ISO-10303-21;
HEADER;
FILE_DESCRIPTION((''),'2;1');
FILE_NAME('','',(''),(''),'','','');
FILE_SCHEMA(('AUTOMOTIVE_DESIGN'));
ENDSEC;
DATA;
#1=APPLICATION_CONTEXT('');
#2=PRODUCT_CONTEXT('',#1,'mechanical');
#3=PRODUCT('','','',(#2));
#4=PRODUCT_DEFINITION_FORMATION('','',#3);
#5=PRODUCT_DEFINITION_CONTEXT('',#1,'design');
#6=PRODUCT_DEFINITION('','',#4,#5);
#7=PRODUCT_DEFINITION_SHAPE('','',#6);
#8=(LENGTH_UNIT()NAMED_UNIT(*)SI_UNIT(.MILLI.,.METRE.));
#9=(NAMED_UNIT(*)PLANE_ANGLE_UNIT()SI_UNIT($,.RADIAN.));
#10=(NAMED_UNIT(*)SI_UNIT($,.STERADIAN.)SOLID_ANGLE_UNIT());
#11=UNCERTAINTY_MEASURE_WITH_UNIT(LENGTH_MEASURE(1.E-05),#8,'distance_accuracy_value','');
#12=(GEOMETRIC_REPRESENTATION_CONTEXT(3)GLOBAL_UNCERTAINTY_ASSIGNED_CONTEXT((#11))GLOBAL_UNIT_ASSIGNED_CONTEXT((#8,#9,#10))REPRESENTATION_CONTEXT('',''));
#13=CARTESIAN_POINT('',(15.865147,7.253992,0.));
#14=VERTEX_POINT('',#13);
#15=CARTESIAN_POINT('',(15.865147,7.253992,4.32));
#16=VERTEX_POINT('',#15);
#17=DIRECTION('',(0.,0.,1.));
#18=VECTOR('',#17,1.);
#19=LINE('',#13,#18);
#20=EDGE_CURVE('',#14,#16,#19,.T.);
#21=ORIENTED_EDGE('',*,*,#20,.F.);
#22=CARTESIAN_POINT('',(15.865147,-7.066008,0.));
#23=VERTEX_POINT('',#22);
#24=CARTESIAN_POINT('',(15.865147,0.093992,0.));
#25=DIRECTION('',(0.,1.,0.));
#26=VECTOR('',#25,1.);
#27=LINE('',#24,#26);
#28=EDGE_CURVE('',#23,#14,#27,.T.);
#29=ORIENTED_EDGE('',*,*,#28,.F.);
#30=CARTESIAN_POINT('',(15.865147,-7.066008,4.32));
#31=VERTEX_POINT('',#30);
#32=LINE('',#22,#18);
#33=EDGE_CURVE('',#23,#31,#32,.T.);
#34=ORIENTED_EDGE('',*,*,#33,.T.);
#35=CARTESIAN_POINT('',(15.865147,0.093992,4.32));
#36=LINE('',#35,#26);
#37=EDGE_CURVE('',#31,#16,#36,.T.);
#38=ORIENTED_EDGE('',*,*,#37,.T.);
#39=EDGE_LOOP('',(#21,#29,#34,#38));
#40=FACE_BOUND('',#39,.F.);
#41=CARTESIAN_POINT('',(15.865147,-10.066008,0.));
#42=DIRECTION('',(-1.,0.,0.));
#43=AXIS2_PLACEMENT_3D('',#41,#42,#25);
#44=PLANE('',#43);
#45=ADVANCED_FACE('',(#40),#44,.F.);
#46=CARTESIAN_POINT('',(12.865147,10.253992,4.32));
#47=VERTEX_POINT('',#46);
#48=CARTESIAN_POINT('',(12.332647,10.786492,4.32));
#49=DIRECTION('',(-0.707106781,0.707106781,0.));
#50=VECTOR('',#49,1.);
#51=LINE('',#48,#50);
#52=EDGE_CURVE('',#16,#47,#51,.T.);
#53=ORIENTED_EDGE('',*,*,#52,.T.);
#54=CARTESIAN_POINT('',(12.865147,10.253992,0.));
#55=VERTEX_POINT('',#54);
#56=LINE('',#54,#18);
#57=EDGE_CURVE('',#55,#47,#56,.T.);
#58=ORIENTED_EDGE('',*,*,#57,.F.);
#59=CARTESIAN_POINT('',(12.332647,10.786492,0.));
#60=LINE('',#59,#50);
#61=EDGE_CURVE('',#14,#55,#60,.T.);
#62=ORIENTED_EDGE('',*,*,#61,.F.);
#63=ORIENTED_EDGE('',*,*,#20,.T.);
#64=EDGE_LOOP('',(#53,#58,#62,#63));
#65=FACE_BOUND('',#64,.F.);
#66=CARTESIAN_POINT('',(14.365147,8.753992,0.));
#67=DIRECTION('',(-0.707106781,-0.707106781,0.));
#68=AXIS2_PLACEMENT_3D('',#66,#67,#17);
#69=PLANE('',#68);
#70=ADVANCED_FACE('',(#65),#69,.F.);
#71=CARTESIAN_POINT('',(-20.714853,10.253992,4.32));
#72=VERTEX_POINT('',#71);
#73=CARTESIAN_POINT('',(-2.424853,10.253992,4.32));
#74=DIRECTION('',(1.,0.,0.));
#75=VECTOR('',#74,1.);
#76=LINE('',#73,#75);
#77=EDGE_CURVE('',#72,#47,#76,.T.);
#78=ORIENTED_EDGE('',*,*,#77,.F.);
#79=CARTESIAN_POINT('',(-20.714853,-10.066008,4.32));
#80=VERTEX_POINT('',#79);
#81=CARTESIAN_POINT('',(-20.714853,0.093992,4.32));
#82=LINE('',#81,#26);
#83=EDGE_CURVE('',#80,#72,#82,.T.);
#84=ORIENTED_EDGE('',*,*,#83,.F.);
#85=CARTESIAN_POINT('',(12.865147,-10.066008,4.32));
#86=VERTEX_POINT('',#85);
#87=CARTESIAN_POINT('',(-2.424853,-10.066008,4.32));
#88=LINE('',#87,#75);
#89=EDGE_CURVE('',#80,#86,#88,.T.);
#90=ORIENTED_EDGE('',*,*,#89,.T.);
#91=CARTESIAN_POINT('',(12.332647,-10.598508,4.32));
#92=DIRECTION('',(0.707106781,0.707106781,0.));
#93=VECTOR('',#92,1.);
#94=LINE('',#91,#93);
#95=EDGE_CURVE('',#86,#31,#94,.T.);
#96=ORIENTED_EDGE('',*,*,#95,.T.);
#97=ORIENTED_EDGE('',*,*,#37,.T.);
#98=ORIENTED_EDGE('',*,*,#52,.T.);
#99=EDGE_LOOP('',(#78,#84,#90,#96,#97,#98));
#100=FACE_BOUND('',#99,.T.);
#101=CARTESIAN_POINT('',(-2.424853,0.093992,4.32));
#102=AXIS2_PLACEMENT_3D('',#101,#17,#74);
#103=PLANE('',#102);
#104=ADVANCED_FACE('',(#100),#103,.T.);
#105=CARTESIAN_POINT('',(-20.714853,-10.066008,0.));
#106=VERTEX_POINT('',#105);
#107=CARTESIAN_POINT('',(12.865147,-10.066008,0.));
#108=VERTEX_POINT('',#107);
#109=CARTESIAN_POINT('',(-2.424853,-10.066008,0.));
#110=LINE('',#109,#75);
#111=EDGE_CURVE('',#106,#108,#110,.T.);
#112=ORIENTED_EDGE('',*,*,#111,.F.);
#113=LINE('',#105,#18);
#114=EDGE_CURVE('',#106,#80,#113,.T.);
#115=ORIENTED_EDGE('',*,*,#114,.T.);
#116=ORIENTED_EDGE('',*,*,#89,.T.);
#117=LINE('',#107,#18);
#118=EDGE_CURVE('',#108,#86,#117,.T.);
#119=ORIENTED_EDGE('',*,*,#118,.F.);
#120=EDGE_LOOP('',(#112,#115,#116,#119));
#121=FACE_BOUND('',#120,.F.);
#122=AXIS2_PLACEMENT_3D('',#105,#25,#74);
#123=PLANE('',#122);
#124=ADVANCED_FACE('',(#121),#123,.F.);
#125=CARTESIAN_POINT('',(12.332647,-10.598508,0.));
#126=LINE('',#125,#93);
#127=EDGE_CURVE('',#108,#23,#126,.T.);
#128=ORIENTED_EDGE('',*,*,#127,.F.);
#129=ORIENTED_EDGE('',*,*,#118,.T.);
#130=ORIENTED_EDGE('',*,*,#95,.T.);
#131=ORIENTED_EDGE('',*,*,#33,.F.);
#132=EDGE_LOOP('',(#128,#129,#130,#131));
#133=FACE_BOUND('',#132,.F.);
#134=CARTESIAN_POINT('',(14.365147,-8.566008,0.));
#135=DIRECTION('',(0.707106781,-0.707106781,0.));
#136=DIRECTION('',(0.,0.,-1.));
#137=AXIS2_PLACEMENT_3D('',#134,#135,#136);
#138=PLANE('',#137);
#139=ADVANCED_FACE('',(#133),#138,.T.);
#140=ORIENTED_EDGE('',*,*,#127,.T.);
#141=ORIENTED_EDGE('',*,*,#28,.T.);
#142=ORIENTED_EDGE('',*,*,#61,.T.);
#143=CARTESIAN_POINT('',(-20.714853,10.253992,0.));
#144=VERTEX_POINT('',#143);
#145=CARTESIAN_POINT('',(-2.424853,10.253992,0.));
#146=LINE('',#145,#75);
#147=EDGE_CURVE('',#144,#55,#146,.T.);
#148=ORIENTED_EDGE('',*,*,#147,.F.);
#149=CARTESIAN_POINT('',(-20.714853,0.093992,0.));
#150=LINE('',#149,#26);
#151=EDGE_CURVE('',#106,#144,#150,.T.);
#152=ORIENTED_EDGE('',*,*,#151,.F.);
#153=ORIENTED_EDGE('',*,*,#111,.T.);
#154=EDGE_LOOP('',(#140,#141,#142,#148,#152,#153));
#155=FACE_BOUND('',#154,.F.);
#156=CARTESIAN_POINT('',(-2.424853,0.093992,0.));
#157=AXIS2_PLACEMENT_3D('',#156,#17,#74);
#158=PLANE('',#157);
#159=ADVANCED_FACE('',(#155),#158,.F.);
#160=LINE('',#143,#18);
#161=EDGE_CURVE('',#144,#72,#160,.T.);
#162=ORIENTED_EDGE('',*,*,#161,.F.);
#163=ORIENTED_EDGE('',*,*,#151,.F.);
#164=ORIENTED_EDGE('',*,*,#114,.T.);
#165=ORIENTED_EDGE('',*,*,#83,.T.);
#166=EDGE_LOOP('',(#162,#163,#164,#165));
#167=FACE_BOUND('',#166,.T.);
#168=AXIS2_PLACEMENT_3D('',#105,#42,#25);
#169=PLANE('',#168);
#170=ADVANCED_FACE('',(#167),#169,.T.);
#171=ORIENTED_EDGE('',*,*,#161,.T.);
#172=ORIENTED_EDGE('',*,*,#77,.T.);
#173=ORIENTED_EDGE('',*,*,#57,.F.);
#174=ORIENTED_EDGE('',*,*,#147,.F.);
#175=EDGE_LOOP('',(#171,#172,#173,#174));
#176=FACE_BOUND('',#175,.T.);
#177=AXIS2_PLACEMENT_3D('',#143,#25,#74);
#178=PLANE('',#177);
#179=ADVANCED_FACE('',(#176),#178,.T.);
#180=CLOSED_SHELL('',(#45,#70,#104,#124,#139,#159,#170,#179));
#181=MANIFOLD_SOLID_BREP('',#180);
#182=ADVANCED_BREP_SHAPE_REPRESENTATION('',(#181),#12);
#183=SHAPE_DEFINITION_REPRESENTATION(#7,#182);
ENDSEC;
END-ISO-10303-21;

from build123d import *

# Parameters (mm, degrees)
F0_W     = 36.58
F0_H     = 20.32
F1_DEPTH = 4.32
F2_SIZE  = 3


with BuildPart() as f1:
    # F0 (on Top) → F1 (new body)
    with BuildSketch(Plane.XY):
        with Locations((-2.424853, 0.093992)):
            Rectangle(F0_W, F0_H)
    extrude(amount=F1_DEPTH)

    # F2
    f2_edges = [f1.edges().sort_by_distance(p)[0] for p in [
        (15.865147, 10.253992, 2.16),
        (15.865147, -10.066008, 2.16),
    ]]
    chamfer(f2_edges, length=F2_SIZE)


solid = f1.part
